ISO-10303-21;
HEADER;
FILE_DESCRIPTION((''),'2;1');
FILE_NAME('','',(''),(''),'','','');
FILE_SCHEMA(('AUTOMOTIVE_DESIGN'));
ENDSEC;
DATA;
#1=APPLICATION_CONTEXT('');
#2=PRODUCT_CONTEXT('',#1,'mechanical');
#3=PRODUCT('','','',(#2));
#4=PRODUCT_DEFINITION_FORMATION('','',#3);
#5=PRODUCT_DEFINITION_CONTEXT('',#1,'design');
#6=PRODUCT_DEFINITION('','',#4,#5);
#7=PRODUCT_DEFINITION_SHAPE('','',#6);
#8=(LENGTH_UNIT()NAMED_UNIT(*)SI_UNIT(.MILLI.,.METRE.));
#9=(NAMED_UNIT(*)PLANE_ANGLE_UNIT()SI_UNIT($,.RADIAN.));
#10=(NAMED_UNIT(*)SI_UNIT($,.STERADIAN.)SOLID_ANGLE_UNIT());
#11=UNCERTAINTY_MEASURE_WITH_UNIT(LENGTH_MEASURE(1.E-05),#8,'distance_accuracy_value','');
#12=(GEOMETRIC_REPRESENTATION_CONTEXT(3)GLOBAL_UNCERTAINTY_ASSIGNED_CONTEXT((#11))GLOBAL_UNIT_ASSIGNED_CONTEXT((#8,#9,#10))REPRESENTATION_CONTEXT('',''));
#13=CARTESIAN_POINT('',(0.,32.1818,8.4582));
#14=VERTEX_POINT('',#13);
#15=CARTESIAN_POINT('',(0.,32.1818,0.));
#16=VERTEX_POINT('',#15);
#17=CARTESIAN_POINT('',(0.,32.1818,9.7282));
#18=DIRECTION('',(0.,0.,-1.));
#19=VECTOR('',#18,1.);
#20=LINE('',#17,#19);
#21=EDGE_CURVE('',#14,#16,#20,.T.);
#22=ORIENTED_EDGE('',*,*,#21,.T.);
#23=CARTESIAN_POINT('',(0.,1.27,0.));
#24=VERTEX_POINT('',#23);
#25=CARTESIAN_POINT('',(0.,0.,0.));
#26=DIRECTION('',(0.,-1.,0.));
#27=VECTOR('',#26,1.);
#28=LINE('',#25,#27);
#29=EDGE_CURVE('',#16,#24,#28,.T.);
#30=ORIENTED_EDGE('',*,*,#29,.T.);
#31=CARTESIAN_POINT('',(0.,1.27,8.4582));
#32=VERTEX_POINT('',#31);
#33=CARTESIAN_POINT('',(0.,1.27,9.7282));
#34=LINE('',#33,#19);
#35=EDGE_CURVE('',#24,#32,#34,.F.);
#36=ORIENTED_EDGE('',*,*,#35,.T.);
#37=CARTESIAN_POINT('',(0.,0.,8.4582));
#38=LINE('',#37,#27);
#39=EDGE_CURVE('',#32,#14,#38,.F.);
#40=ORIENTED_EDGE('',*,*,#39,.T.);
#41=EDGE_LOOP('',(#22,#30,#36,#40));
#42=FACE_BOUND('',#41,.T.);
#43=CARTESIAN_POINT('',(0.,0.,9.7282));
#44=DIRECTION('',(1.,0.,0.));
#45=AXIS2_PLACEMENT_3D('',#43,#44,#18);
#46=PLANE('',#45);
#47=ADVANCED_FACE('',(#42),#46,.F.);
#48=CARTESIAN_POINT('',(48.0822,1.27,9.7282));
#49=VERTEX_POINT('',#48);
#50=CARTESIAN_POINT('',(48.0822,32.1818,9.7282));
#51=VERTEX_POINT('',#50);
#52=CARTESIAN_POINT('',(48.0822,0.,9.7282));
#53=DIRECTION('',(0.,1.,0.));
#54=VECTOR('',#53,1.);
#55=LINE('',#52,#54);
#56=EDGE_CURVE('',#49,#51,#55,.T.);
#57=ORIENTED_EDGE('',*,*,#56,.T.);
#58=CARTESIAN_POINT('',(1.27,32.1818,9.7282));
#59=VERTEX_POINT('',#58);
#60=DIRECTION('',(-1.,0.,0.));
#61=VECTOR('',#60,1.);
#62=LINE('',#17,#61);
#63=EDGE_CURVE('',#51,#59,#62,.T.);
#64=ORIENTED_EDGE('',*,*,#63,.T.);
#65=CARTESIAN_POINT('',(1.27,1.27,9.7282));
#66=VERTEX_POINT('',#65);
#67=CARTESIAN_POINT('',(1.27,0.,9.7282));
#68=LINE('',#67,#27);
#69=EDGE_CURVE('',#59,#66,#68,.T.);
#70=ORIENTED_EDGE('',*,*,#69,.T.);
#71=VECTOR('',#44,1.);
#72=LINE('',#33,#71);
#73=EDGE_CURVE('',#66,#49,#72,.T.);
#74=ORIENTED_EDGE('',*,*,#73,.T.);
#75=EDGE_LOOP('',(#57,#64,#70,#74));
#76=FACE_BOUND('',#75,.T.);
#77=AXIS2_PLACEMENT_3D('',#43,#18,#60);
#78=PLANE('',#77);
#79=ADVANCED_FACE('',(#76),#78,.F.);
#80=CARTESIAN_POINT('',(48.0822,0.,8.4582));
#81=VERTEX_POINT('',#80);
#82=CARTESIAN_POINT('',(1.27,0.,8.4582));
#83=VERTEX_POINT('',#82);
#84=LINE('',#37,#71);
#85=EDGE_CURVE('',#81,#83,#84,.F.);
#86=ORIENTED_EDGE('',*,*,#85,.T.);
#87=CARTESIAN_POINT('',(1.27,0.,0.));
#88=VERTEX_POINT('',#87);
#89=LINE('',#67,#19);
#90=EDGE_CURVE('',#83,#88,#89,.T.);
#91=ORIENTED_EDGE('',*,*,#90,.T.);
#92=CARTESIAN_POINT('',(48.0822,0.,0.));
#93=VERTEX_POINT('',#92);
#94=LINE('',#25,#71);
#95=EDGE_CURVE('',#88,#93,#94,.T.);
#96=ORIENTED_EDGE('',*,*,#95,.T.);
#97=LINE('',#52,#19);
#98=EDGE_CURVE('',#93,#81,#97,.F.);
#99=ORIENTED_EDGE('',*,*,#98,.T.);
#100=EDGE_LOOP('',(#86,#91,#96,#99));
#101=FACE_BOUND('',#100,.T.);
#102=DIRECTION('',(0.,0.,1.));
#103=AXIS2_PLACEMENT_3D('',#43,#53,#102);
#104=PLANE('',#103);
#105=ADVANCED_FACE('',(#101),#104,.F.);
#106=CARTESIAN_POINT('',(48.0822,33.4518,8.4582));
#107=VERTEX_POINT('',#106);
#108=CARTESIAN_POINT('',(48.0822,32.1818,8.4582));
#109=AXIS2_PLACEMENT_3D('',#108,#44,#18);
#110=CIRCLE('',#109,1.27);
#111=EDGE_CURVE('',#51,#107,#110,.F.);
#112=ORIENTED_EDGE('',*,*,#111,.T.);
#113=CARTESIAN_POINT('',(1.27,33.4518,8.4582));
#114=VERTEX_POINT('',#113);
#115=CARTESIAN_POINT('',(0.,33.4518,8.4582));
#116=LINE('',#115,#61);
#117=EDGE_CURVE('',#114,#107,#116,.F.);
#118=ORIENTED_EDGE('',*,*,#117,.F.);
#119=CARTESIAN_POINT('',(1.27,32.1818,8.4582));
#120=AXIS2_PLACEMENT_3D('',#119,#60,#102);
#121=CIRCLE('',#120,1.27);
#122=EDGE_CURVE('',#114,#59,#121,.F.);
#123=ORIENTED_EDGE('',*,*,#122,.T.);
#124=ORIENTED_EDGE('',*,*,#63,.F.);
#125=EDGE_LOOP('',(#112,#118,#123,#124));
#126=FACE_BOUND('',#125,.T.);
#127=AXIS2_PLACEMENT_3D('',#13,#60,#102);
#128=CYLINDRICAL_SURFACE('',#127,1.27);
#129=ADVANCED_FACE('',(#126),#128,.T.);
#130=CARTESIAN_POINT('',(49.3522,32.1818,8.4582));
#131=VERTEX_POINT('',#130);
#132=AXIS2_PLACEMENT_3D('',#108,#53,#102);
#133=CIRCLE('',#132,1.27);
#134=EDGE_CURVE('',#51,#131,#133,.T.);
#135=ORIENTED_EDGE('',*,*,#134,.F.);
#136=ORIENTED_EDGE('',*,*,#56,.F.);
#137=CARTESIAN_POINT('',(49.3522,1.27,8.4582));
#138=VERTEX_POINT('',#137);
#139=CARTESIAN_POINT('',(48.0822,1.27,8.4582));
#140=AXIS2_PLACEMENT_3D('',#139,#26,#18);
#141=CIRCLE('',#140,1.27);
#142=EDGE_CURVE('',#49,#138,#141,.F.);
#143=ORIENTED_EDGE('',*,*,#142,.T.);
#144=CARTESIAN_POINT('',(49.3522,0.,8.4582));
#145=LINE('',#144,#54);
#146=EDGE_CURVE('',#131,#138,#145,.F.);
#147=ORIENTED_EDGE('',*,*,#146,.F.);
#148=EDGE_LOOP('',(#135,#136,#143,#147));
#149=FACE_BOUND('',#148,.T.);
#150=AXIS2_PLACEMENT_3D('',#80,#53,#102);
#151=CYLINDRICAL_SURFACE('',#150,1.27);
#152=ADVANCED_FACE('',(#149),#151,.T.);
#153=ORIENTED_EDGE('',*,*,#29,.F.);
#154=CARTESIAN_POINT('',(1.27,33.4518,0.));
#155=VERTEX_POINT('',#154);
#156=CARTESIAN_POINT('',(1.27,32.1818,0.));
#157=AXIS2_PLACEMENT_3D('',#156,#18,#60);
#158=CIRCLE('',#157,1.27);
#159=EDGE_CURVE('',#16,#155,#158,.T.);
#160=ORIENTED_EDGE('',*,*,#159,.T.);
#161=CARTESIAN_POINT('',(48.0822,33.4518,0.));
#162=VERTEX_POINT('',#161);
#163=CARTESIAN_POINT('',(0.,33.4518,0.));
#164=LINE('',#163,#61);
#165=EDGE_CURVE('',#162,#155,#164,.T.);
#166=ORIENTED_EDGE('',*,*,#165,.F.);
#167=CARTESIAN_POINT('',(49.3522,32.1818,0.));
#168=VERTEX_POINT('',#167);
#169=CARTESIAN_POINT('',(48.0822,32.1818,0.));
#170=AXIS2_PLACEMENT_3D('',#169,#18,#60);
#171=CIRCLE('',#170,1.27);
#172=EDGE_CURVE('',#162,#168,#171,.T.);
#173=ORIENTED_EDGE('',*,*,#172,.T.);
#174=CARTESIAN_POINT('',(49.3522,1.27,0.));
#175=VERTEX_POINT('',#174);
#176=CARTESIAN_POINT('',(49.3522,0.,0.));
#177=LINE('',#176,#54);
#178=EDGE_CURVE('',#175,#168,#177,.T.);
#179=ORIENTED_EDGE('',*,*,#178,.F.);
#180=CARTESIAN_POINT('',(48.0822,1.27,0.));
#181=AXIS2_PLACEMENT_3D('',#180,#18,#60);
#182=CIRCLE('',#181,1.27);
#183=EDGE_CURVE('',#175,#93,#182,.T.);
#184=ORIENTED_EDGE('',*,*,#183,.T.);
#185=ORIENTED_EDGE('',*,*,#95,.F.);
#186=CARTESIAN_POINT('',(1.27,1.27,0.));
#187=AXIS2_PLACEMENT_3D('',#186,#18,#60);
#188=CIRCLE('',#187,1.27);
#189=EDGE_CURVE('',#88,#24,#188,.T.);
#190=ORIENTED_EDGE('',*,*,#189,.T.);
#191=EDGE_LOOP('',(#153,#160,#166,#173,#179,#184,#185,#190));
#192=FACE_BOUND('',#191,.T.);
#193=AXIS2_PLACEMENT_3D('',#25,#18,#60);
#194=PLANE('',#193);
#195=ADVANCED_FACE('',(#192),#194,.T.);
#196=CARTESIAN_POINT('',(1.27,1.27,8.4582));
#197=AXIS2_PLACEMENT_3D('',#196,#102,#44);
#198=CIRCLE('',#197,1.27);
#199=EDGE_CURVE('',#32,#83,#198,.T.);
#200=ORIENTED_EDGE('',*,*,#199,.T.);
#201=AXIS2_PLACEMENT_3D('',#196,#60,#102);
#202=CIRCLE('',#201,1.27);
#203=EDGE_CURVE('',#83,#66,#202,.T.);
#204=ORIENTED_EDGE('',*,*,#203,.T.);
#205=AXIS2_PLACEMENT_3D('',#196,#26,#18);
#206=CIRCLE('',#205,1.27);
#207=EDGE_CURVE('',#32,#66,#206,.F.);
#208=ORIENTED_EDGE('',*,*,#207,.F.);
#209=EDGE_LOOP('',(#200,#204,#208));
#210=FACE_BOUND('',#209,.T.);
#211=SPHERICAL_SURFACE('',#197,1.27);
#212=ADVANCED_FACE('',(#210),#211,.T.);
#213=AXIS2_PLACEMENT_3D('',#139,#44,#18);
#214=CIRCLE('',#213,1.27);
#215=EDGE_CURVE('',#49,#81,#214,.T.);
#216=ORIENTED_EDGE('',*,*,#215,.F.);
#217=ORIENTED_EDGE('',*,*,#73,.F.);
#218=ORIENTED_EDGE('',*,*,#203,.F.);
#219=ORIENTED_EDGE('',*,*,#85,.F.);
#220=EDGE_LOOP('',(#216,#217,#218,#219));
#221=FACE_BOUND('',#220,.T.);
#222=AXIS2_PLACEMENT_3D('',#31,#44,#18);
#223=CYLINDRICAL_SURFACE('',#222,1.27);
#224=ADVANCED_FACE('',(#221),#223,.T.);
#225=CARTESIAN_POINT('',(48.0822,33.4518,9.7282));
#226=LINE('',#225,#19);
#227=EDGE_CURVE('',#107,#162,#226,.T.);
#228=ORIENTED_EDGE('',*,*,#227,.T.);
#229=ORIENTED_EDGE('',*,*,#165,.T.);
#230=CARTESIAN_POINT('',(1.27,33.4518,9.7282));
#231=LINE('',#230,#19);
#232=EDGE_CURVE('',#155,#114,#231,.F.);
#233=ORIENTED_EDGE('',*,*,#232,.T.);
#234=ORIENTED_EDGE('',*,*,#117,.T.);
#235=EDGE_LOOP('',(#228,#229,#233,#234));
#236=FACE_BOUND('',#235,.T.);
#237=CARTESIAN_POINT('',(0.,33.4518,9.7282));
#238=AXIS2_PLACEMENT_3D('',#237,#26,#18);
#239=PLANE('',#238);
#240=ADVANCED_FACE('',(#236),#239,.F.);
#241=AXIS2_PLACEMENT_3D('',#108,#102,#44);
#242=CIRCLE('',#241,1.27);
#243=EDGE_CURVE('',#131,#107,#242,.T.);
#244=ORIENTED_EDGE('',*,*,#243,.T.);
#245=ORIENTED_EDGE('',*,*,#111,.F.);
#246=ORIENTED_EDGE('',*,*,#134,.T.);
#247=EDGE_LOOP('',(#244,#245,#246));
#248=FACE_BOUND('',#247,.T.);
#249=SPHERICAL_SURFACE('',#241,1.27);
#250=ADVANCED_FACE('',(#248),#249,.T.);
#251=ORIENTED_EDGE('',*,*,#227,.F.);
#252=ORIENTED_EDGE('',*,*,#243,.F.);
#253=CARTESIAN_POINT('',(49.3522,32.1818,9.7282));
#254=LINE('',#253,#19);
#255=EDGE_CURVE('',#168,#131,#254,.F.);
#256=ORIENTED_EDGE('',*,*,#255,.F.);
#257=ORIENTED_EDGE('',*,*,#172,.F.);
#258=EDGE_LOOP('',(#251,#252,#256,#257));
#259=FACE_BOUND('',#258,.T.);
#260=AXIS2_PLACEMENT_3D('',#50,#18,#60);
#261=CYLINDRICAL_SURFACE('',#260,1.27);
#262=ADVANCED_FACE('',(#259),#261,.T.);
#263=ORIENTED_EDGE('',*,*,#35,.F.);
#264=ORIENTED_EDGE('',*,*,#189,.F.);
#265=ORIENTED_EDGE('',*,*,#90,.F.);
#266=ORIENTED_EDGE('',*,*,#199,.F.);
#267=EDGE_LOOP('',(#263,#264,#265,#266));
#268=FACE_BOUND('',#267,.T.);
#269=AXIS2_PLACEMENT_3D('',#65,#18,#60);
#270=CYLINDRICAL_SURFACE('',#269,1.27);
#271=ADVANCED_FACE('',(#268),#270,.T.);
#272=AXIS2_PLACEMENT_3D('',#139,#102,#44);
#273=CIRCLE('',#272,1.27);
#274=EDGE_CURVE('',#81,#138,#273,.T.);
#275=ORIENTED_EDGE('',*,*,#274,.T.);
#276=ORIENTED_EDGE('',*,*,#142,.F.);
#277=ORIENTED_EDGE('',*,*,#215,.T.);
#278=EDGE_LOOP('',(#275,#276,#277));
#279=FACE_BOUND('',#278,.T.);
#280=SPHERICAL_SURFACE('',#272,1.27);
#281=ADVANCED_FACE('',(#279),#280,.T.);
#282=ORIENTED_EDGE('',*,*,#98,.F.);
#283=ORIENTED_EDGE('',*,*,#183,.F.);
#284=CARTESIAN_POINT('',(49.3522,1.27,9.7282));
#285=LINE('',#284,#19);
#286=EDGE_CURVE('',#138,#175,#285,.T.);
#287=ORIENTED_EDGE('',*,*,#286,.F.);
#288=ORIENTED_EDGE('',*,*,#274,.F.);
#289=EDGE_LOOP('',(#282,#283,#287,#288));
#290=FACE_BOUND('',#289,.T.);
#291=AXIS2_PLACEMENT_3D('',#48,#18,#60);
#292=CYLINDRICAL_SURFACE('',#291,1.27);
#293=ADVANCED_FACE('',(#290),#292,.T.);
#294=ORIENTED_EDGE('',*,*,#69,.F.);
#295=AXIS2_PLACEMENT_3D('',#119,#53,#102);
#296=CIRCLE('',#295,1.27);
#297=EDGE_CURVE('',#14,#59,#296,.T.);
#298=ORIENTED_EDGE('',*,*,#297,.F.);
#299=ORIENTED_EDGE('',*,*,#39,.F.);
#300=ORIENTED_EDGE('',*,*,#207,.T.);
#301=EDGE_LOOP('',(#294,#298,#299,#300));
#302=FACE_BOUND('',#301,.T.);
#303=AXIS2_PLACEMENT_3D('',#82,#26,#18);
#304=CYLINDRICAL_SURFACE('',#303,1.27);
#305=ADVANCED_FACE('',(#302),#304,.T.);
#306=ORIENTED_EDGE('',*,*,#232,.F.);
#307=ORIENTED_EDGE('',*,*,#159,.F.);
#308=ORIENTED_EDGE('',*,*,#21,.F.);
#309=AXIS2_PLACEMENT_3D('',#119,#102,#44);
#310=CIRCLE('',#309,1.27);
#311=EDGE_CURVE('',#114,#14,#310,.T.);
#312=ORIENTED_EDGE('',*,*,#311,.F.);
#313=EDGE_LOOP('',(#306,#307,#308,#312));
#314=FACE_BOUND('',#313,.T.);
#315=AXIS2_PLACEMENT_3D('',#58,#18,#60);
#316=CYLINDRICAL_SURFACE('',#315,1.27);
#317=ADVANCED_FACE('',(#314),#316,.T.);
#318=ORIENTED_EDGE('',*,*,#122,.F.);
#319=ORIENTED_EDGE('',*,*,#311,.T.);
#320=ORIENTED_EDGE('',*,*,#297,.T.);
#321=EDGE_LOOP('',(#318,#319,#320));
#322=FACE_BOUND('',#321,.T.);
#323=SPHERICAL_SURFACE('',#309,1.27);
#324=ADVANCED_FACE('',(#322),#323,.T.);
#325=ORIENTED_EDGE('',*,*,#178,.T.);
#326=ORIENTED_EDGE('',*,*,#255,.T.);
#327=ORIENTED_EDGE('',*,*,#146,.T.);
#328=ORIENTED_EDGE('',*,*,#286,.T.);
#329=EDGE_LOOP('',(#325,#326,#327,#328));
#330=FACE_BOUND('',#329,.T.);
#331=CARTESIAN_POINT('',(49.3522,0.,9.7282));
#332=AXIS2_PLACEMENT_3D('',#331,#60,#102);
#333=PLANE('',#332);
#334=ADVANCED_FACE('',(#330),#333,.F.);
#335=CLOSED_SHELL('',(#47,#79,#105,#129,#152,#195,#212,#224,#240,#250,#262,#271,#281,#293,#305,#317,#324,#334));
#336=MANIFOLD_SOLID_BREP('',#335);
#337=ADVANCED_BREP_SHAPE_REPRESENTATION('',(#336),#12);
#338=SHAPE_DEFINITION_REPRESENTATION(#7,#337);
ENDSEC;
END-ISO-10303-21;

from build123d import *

# Parameters (mm, degrees)
SKETCH1_W           = 49.3522
SKETCH1_H           = 33.4518
BOSS_EXTRUDE1_DEPTH = 9.7282
FILLET1_R           = 1.27


with BuildPart() as part:
    # Sketch1 → Boss-Extrude1 (new body)
    with BuildSketch(Plane.XY):
        with Locations((24.6761, 16.7259)):
            Rectangle(SKETCH1_W, SKETCH1_H)
    extrude(amount=BOSS_EXTRUDE1_DEPTH)

    # Fillet1
    fillet1_edges = [part.edges().sort_by_distance(p)[0] for p in [
        (49.3522, 16.7259, 9.7282),
        (24.6761, 33.4518, 9.7282),
        (0, 16.7259, 9.7282),
        (24.6761, 0, 9.7282),
        (0, 33.4518, 4.8641),
        (49.3522, 33.4518, 4.8641),
        (49.3522, 0, 4.8641),
        (0, 0, 4.8641),
    ]]
    fillet(fillet1_edges, radius=FILLET1_R)


solid = part.part
